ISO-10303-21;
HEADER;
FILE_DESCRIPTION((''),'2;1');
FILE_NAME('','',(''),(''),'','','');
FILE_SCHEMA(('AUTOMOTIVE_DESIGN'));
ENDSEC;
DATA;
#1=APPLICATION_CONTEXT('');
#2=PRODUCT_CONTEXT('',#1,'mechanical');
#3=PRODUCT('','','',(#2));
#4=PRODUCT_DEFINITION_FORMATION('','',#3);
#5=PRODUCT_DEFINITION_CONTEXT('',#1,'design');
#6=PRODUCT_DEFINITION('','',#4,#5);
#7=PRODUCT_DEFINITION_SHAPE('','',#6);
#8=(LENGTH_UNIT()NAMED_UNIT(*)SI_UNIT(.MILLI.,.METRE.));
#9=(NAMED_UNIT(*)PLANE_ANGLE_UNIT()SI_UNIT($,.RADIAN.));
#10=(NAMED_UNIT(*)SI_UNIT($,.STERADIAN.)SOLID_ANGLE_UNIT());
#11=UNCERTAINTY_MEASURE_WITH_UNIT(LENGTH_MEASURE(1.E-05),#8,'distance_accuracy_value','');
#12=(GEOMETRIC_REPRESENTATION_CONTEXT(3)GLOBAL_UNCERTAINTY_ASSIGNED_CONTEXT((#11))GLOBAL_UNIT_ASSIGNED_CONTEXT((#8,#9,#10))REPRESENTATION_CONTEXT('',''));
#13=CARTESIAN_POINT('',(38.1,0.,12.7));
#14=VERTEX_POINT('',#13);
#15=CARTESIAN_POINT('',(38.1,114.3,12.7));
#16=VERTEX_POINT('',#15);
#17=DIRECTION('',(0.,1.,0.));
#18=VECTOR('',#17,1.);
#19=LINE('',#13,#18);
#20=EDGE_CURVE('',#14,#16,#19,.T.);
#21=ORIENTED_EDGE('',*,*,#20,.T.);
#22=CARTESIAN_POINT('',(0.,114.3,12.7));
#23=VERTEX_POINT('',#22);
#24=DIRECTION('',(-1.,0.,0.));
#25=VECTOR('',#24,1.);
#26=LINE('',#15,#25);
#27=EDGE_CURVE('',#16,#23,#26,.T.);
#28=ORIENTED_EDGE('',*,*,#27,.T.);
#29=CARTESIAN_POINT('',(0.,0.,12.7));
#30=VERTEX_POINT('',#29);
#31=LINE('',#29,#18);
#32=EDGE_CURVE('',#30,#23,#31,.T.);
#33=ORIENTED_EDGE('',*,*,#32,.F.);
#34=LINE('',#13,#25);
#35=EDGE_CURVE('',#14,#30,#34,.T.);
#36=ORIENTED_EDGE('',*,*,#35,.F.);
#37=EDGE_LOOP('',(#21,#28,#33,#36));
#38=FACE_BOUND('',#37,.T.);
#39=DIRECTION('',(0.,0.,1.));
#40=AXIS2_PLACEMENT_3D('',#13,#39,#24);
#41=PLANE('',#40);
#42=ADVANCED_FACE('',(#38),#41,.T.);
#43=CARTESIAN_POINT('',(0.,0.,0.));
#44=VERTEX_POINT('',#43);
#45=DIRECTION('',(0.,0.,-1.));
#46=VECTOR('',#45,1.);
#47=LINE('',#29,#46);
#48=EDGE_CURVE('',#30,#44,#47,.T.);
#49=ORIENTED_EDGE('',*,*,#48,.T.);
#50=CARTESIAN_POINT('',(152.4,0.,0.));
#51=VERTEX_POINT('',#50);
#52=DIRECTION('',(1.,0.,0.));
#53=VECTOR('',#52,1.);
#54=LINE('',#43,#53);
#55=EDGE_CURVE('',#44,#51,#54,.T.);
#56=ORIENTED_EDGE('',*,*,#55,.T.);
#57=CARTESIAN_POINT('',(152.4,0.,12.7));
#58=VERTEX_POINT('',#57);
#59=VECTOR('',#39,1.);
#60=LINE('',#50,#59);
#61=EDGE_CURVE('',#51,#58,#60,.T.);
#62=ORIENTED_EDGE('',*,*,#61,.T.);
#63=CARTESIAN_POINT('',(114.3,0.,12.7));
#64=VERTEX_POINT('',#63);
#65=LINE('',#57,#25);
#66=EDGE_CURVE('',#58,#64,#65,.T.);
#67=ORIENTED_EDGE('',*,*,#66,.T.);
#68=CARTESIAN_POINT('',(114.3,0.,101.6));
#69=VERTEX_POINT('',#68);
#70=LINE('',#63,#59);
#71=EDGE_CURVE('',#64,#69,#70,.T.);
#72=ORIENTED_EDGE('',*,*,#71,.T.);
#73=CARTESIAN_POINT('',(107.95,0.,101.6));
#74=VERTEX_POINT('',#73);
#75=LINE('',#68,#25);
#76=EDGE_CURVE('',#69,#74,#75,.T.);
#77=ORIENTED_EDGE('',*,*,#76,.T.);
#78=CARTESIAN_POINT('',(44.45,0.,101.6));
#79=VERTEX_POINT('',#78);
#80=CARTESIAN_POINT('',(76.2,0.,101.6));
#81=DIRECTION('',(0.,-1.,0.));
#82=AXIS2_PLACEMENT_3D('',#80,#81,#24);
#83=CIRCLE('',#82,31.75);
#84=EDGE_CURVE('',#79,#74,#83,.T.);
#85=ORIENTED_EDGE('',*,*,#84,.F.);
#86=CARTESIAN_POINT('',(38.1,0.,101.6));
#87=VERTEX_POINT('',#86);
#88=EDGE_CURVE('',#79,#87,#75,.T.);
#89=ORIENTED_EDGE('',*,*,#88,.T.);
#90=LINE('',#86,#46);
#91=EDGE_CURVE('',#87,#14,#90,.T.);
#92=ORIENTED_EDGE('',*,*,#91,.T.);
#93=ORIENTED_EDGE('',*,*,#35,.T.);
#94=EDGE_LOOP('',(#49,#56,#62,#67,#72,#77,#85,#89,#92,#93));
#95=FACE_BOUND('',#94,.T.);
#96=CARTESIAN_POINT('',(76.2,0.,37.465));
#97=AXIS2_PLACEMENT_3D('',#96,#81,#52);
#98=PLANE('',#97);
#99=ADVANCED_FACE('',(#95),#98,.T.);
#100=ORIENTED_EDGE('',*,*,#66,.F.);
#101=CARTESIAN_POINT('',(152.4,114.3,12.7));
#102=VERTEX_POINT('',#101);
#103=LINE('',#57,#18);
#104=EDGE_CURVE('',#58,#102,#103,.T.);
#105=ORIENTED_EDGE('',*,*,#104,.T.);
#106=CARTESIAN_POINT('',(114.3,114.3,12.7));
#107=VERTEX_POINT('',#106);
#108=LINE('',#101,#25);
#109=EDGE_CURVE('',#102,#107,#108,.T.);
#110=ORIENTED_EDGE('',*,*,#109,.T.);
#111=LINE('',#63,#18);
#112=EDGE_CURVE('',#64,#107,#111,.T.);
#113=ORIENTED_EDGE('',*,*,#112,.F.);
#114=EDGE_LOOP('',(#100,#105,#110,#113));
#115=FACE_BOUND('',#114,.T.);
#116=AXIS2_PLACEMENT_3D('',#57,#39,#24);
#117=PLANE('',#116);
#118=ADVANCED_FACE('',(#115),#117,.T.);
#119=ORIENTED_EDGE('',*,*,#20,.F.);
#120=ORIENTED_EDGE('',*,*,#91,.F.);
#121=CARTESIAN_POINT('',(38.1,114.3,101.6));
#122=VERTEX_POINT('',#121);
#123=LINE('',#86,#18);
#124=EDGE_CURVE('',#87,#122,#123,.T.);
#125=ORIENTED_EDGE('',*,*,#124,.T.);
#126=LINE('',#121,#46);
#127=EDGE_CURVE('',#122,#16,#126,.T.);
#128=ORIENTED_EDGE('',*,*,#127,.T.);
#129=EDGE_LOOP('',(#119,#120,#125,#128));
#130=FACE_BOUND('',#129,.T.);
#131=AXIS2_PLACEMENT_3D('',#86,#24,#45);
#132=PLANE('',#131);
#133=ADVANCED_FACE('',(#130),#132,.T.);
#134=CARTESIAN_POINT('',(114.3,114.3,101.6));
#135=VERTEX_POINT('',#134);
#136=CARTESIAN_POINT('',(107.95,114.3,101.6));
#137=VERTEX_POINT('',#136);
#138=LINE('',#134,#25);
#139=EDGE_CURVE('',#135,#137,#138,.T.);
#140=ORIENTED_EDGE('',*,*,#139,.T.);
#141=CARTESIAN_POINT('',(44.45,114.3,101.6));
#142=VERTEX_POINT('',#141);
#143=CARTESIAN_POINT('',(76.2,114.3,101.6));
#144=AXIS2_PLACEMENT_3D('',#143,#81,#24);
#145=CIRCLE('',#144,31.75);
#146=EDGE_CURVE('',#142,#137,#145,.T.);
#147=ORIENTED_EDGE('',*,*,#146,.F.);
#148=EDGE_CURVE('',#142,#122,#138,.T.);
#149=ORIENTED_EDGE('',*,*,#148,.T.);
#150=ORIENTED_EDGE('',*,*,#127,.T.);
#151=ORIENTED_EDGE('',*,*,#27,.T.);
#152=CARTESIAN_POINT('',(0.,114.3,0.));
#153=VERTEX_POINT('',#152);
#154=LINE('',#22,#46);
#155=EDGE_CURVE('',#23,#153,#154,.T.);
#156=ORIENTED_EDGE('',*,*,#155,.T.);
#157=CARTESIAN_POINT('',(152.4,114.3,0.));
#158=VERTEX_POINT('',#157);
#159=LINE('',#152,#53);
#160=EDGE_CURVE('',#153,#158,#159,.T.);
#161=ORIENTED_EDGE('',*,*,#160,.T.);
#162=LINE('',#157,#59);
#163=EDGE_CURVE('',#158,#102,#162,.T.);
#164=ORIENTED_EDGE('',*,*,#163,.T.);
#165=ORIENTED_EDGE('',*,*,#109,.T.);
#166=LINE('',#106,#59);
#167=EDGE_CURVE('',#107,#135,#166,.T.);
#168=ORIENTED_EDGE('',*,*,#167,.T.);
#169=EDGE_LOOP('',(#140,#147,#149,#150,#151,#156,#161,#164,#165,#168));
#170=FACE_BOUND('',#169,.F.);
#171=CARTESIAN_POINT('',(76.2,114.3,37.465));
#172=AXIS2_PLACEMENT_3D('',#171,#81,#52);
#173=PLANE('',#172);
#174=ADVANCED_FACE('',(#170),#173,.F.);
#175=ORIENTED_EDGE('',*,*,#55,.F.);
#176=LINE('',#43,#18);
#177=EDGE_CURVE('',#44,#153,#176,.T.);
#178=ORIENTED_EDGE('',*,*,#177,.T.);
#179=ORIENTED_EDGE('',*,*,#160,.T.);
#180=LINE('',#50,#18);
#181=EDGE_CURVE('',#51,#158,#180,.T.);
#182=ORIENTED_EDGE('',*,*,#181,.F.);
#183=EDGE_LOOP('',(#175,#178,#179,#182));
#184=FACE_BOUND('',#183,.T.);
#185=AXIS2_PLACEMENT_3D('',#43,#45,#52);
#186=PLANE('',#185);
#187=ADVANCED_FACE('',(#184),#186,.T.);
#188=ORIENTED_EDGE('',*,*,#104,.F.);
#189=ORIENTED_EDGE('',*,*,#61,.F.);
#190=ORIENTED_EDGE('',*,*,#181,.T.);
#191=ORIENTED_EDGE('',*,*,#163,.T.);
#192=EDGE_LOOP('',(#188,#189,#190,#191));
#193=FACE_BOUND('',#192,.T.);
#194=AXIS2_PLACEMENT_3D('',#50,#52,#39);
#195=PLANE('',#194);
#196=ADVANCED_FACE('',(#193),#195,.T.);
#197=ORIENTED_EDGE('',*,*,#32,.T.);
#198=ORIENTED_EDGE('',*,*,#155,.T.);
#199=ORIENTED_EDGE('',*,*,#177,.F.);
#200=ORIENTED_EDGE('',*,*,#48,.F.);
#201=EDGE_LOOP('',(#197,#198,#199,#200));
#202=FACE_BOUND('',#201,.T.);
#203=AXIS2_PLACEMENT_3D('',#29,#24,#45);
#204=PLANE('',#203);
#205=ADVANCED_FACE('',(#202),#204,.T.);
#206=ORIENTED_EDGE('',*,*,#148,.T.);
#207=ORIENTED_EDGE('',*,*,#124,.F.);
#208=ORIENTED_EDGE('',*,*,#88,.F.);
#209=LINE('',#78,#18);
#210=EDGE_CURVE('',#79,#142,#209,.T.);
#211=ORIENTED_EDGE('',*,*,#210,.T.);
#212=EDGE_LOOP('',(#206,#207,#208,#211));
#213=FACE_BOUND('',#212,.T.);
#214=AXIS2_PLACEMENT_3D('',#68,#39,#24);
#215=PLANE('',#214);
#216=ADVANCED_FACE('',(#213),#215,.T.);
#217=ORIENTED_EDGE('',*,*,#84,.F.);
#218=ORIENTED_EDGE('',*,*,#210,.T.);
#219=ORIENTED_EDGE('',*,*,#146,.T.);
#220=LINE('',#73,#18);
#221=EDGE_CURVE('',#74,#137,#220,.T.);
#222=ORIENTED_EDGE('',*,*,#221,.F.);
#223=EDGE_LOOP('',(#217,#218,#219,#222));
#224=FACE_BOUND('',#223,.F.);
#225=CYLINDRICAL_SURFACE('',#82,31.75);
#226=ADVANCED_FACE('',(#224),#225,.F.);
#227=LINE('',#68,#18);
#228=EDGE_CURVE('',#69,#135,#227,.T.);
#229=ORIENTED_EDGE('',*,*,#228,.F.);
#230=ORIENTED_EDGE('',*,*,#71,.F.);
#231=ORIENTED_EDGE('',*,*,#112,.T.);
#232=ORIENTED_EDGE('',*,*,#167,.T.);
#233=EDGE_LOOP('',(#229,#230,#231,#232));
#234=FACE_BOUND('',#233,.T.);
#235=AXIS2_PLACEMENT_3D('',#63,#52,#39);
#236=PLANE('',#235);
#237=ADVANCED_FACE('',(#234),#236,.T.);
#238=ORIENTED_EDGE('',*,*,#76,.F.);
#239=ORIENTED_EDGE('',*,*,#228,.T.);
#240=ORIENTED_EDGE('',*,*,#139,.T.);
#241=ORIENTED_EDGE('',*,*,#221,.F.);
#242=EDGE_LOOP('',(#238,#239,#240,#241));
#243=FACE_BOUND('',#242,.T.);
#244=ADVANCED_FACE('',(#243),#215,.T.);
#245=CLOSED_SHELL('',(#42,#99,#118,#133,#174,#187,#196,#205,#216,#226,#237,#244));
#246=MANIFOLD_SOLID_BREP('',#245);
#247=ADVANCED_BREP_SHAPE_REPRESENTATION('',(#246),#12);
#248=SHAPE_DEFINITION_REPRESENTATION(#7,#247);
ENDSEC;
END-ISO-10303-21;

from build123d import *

# Parameters (mm, degrees)
F1_DEPTH = 114.3
F3_DEPTH = 114.3


with BuildPart() as f1:
    # F0 (on Front) → F1 (new body)
    with BuildSketch(Plane.XZ):
        Polygon((0, 12.7), (0, 0), (152.4, 0), (152.4, 12.7), (114.3, 12.7), (114.3, 101.6), (38.1, 101.6), (38.1, 12.7), align=None)
    extrude(amount=-F1_DEPTH)

    # F2 (on face) → F3 (cut)
    with BuildSketch(Plane.XZ):
        with BuildLine():
            Line((107.95, 101.6), (44.45, 101.6))
            ThreePointArc((44.45, 101.6), (76.2, 69.85), (107.95, 101.6))
        make_face()
    extrude(amount=-F3_DEPTH, mode=Mode.SUBTRACT)


solid = f1.part
